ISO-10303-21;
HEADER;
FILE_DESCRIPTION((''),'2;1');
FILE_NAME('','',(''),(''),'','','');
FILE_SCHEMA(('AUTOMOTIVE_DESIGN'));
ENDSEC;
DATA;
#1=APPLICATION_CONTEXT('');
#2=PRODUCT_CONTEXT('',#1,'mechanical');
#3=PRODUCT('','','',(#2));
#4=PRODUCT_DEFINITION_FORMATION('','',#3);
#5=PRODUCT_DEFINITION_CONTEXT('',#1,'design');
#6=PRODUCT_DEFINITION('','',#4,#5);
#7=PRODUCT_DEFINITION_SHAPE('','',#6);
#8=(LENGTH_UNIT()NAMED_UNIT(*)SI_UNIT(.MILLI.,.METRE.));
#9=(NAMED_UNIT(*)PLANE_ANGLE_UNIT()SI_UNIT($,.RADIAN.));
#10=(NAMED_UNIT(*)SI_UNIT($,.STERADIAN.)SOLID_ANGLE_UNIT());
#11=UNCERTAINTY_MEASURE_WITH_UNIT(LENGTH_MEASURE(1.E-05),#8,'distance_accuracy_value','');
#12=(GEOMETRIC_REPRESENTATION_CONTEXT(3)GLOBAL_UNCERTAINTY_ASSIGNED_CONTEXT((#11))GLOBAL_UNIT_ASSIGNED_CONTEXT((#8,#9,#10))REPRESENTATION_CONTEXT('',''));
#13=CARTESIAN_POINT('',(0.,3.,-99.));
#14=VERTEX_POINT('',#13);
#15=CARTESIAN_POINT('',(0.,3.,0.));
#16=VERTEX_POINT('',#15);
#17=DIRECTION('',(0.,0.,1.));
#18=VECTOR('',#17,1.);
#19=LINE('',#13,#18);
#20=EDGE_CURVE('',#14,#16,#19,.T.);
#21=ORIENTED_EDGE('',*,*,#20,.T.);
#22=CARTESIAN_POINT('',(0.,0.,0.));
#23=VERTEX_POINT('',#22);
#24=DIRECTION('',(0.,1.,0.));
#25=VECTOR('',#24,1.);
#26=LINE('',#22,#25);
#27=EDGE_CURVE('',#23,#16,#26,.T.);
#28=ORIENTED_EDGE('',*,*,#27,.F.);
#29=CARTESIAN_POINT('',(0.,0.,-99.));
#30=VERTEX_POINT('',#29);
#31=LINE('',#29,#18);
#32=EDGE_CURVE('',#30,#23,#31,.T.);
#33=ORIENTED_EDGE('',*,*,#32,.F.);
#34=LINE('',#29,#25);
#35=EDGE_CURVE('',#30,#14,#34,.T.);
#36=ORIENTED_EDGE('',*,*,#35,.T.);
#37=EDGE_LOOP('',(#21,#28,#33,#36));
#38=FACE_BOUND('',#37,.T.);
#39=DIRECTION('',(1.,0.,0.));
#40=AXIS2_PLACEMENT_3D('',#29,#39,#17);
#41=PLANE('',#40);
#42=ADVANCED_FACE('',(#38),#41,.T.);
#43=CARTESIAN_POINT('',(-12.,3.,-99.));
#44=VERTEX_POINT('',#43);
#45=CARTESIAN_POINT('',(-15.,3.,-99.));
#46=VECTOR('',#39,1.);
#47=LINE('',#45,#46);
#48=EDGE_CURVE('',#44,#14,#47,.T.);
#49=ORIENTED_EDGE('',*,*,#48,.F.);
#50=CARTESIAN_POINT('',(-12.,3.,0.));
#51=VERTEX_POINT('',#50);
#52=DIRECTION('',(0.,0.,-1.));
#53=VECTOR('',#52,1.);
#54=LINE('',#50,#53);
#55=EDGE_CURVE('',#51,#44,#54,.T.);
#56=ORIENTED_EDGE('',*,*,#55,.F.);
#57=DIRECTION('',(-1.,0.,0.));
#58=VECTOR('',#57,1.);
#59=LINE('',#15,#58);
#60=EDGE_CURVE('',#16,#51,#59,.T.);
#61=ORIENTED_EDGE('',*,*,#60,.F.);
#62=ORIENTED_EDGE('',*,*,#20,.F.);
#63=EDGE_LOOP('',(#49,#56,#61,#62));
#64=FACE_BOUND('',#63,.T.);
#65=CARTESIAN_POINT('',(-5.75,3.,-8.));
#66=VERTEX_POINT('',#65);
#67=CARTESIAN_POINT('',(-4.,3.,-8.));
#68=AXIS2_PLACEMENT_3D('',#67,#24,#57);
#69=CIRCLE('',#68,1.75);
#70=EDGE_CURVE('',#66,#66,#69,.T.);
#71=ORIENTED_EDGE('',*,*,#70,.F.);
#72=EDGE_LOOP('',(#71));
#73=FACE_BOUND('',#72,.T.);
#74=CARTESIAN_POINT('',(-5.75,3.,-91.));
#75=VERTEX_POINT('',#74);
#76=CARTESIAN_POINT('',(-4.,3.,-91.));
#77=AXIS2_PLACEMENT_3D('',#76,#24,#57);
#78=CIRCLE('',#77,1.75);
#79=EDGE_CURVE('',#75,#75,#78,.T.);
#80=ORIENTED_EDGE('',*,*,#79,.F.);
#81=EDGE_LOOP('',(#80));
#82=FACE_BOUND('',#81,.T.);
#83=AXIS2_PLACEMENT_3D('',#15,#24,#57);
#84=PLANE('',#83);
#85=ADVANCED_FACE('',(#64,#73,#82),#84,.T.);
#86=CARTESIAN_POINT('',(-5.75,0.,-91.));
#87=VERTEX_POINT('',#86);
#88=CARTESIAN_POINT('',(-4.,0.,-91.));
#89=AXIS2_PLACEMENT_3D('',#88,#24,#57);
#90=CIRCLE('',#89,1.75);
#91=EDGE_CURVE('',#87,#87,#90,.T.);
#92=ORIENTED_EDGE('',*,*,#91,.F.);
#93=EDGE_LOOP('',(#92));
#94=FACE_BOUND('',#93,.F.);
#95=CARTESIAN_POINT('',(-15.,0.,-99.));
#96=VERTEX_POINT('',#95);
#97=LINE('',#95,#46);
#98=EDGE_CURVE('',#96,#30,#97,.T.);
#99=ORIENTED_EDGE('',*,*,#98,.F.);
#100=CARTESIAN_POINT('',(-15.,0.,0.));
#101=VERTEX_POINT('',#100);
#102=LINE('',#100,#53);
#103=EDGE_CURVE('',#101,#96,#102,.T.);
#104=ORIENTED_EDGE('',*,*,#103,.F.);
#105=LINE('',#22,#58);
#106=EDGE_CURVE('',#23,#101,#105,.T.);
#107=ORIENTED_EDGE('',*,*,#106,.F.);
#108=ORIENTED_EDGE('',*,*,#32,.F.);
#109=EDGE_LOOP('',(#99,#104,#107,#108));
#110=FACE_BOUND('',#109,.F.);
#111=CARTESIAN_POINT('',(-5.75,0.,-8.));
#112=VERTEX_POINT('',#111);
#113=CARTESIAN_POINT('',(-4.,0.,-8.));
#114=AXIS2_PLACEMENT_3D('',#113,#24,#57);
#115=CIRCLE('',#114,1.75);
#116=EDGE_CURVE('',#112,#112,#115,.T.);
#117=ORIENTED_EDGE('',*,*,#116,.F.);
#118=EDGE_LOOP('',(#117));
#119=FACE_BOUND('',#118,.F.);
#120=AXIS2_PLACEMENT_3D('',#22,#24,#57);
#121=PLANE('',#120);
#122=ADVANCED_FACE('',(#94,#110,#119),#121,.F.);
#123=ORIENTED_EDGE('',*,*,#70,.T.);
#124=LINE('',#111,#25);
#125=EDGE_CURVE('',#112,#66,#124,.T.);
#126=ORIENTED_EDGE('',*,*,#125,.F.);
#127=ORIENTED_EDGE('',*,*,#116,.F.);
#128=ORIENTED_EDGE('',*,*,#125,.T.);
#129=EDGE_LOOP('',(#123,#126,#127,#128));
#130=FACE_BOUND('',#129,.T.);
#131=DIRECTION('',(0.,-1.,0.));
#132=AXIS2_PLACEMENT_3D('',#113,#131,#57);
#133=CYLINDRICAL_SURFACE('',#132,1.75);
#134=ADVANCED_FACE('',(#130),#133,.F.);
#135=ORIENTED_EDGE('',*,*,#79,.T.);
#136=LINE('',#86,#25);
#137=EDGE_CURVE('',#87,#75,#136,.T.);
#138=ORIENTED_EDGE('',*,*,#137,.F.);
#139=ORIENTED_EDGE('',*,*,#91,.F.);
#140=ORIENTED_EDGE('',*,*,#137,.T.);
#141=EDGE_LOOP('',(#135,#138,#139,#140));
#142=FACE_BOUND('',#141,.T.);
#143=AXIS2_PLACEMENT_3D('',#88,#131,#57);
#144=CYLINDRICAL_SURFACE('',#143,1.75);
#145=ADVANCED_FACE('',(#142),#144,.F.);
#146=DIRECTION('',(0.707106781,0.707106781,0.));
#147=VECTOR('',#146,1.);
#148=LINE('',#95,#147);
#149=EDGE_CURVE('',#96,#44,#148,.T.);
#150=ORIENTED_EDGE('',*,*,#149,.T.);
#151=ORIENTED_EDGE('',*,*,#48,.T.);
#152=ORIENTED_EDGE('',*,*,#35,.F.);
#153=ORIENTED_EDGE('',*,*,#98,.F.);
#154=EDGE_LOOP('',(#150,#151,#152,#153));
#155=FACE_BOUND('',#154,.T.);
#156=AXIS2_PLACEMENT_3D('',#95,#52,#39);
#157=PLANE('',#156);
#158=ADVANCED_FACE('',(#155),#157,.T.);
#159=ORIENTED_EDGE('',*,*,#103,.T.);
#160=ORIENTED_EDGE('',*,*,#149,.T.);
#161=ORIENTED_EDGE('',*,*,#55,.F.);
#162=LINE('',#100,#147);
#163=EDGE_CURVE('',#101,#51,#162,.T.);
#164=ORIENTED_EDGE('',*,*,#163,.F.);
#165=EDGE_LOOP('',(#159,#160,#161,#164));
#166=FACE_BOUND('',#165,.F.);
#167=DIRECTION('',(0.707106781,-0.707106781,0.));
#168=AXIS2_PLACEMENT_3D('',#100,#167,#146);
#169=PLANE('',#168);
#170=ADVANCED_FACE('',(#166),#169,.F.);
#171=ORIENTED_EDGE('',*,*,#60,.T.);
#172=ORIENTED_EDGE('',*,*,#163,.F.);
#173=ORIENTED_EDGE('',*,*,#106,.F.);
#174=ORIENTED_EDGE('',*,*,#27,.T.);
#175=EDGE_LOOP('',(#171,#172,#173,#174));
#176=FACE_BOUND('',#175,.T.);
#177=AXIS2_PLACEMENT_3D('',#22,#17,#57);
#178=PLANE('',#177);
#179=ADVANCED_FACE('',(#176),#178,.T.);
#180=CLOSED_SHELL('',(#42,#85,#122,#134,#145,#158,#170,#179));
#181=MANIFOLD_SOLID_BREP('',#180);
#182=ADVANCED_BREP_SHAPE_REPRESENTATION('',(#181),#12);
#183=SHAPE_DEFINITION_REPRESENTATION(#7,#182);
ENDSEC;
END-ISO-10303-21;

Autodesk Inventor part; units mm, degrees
ref_plane "YZ Plane" through (0, 0, 0) normal (1, 0, 0) x (0, 1, 0)
ref_plane "XZ Plane" through (0, 0, 0) normal (0, 1, 0) x (-1, 0, 0)
ref_plane "XY Plane" through (0, 0, 0) normal (0, 0, 1) x (1, 0, 0)
sketch "Sketch1" plane through (0, 0, 0) normal (0, 1, 0) x (-1, 0, 0)
  line L0 (0, 0) -> (15, 0)
  line L1 (15, 0) -> (15, -99)
  line L2 (15, -99) -> (0, -99)
  line L3 (0, -99) -> (0, 0)
  circle A0 centre (4, -8) radius 1.75
  circle A1 centre (4, -91) radius 1.75
  dimension "d0" = 99
  dimension "d1" = 15
  dimension "d2" = 8
  dimension "d3" = 83
  dimension "d4" = 4
  dimension "d5" = 4
  dimension "d6" = 3.5
  dimension "d7" = 3.5
extrude "Extrusion1" add sketch "Sketch1" along normal blind 3
sketch "Sketch2" plane through (-15, 0, 0) normal (0, 0, 1) x (1, 0, 0)
  line L0 (0, 0) -> (3, 3)
  line L1 (0, 0) -> (15, 0) projected
  line L2 (0, 3) -> (15, 3) projected
  line L3 (3, 3) -> (0, 3)
  line L4 (0, 3) -> (0, 0)
  dimension "d10" = 45
extrude "Extrusion2" cut sketch "Sketch2" against normal up to surface (99 mm away)
properties part number "Cuchilla Versión 1"
